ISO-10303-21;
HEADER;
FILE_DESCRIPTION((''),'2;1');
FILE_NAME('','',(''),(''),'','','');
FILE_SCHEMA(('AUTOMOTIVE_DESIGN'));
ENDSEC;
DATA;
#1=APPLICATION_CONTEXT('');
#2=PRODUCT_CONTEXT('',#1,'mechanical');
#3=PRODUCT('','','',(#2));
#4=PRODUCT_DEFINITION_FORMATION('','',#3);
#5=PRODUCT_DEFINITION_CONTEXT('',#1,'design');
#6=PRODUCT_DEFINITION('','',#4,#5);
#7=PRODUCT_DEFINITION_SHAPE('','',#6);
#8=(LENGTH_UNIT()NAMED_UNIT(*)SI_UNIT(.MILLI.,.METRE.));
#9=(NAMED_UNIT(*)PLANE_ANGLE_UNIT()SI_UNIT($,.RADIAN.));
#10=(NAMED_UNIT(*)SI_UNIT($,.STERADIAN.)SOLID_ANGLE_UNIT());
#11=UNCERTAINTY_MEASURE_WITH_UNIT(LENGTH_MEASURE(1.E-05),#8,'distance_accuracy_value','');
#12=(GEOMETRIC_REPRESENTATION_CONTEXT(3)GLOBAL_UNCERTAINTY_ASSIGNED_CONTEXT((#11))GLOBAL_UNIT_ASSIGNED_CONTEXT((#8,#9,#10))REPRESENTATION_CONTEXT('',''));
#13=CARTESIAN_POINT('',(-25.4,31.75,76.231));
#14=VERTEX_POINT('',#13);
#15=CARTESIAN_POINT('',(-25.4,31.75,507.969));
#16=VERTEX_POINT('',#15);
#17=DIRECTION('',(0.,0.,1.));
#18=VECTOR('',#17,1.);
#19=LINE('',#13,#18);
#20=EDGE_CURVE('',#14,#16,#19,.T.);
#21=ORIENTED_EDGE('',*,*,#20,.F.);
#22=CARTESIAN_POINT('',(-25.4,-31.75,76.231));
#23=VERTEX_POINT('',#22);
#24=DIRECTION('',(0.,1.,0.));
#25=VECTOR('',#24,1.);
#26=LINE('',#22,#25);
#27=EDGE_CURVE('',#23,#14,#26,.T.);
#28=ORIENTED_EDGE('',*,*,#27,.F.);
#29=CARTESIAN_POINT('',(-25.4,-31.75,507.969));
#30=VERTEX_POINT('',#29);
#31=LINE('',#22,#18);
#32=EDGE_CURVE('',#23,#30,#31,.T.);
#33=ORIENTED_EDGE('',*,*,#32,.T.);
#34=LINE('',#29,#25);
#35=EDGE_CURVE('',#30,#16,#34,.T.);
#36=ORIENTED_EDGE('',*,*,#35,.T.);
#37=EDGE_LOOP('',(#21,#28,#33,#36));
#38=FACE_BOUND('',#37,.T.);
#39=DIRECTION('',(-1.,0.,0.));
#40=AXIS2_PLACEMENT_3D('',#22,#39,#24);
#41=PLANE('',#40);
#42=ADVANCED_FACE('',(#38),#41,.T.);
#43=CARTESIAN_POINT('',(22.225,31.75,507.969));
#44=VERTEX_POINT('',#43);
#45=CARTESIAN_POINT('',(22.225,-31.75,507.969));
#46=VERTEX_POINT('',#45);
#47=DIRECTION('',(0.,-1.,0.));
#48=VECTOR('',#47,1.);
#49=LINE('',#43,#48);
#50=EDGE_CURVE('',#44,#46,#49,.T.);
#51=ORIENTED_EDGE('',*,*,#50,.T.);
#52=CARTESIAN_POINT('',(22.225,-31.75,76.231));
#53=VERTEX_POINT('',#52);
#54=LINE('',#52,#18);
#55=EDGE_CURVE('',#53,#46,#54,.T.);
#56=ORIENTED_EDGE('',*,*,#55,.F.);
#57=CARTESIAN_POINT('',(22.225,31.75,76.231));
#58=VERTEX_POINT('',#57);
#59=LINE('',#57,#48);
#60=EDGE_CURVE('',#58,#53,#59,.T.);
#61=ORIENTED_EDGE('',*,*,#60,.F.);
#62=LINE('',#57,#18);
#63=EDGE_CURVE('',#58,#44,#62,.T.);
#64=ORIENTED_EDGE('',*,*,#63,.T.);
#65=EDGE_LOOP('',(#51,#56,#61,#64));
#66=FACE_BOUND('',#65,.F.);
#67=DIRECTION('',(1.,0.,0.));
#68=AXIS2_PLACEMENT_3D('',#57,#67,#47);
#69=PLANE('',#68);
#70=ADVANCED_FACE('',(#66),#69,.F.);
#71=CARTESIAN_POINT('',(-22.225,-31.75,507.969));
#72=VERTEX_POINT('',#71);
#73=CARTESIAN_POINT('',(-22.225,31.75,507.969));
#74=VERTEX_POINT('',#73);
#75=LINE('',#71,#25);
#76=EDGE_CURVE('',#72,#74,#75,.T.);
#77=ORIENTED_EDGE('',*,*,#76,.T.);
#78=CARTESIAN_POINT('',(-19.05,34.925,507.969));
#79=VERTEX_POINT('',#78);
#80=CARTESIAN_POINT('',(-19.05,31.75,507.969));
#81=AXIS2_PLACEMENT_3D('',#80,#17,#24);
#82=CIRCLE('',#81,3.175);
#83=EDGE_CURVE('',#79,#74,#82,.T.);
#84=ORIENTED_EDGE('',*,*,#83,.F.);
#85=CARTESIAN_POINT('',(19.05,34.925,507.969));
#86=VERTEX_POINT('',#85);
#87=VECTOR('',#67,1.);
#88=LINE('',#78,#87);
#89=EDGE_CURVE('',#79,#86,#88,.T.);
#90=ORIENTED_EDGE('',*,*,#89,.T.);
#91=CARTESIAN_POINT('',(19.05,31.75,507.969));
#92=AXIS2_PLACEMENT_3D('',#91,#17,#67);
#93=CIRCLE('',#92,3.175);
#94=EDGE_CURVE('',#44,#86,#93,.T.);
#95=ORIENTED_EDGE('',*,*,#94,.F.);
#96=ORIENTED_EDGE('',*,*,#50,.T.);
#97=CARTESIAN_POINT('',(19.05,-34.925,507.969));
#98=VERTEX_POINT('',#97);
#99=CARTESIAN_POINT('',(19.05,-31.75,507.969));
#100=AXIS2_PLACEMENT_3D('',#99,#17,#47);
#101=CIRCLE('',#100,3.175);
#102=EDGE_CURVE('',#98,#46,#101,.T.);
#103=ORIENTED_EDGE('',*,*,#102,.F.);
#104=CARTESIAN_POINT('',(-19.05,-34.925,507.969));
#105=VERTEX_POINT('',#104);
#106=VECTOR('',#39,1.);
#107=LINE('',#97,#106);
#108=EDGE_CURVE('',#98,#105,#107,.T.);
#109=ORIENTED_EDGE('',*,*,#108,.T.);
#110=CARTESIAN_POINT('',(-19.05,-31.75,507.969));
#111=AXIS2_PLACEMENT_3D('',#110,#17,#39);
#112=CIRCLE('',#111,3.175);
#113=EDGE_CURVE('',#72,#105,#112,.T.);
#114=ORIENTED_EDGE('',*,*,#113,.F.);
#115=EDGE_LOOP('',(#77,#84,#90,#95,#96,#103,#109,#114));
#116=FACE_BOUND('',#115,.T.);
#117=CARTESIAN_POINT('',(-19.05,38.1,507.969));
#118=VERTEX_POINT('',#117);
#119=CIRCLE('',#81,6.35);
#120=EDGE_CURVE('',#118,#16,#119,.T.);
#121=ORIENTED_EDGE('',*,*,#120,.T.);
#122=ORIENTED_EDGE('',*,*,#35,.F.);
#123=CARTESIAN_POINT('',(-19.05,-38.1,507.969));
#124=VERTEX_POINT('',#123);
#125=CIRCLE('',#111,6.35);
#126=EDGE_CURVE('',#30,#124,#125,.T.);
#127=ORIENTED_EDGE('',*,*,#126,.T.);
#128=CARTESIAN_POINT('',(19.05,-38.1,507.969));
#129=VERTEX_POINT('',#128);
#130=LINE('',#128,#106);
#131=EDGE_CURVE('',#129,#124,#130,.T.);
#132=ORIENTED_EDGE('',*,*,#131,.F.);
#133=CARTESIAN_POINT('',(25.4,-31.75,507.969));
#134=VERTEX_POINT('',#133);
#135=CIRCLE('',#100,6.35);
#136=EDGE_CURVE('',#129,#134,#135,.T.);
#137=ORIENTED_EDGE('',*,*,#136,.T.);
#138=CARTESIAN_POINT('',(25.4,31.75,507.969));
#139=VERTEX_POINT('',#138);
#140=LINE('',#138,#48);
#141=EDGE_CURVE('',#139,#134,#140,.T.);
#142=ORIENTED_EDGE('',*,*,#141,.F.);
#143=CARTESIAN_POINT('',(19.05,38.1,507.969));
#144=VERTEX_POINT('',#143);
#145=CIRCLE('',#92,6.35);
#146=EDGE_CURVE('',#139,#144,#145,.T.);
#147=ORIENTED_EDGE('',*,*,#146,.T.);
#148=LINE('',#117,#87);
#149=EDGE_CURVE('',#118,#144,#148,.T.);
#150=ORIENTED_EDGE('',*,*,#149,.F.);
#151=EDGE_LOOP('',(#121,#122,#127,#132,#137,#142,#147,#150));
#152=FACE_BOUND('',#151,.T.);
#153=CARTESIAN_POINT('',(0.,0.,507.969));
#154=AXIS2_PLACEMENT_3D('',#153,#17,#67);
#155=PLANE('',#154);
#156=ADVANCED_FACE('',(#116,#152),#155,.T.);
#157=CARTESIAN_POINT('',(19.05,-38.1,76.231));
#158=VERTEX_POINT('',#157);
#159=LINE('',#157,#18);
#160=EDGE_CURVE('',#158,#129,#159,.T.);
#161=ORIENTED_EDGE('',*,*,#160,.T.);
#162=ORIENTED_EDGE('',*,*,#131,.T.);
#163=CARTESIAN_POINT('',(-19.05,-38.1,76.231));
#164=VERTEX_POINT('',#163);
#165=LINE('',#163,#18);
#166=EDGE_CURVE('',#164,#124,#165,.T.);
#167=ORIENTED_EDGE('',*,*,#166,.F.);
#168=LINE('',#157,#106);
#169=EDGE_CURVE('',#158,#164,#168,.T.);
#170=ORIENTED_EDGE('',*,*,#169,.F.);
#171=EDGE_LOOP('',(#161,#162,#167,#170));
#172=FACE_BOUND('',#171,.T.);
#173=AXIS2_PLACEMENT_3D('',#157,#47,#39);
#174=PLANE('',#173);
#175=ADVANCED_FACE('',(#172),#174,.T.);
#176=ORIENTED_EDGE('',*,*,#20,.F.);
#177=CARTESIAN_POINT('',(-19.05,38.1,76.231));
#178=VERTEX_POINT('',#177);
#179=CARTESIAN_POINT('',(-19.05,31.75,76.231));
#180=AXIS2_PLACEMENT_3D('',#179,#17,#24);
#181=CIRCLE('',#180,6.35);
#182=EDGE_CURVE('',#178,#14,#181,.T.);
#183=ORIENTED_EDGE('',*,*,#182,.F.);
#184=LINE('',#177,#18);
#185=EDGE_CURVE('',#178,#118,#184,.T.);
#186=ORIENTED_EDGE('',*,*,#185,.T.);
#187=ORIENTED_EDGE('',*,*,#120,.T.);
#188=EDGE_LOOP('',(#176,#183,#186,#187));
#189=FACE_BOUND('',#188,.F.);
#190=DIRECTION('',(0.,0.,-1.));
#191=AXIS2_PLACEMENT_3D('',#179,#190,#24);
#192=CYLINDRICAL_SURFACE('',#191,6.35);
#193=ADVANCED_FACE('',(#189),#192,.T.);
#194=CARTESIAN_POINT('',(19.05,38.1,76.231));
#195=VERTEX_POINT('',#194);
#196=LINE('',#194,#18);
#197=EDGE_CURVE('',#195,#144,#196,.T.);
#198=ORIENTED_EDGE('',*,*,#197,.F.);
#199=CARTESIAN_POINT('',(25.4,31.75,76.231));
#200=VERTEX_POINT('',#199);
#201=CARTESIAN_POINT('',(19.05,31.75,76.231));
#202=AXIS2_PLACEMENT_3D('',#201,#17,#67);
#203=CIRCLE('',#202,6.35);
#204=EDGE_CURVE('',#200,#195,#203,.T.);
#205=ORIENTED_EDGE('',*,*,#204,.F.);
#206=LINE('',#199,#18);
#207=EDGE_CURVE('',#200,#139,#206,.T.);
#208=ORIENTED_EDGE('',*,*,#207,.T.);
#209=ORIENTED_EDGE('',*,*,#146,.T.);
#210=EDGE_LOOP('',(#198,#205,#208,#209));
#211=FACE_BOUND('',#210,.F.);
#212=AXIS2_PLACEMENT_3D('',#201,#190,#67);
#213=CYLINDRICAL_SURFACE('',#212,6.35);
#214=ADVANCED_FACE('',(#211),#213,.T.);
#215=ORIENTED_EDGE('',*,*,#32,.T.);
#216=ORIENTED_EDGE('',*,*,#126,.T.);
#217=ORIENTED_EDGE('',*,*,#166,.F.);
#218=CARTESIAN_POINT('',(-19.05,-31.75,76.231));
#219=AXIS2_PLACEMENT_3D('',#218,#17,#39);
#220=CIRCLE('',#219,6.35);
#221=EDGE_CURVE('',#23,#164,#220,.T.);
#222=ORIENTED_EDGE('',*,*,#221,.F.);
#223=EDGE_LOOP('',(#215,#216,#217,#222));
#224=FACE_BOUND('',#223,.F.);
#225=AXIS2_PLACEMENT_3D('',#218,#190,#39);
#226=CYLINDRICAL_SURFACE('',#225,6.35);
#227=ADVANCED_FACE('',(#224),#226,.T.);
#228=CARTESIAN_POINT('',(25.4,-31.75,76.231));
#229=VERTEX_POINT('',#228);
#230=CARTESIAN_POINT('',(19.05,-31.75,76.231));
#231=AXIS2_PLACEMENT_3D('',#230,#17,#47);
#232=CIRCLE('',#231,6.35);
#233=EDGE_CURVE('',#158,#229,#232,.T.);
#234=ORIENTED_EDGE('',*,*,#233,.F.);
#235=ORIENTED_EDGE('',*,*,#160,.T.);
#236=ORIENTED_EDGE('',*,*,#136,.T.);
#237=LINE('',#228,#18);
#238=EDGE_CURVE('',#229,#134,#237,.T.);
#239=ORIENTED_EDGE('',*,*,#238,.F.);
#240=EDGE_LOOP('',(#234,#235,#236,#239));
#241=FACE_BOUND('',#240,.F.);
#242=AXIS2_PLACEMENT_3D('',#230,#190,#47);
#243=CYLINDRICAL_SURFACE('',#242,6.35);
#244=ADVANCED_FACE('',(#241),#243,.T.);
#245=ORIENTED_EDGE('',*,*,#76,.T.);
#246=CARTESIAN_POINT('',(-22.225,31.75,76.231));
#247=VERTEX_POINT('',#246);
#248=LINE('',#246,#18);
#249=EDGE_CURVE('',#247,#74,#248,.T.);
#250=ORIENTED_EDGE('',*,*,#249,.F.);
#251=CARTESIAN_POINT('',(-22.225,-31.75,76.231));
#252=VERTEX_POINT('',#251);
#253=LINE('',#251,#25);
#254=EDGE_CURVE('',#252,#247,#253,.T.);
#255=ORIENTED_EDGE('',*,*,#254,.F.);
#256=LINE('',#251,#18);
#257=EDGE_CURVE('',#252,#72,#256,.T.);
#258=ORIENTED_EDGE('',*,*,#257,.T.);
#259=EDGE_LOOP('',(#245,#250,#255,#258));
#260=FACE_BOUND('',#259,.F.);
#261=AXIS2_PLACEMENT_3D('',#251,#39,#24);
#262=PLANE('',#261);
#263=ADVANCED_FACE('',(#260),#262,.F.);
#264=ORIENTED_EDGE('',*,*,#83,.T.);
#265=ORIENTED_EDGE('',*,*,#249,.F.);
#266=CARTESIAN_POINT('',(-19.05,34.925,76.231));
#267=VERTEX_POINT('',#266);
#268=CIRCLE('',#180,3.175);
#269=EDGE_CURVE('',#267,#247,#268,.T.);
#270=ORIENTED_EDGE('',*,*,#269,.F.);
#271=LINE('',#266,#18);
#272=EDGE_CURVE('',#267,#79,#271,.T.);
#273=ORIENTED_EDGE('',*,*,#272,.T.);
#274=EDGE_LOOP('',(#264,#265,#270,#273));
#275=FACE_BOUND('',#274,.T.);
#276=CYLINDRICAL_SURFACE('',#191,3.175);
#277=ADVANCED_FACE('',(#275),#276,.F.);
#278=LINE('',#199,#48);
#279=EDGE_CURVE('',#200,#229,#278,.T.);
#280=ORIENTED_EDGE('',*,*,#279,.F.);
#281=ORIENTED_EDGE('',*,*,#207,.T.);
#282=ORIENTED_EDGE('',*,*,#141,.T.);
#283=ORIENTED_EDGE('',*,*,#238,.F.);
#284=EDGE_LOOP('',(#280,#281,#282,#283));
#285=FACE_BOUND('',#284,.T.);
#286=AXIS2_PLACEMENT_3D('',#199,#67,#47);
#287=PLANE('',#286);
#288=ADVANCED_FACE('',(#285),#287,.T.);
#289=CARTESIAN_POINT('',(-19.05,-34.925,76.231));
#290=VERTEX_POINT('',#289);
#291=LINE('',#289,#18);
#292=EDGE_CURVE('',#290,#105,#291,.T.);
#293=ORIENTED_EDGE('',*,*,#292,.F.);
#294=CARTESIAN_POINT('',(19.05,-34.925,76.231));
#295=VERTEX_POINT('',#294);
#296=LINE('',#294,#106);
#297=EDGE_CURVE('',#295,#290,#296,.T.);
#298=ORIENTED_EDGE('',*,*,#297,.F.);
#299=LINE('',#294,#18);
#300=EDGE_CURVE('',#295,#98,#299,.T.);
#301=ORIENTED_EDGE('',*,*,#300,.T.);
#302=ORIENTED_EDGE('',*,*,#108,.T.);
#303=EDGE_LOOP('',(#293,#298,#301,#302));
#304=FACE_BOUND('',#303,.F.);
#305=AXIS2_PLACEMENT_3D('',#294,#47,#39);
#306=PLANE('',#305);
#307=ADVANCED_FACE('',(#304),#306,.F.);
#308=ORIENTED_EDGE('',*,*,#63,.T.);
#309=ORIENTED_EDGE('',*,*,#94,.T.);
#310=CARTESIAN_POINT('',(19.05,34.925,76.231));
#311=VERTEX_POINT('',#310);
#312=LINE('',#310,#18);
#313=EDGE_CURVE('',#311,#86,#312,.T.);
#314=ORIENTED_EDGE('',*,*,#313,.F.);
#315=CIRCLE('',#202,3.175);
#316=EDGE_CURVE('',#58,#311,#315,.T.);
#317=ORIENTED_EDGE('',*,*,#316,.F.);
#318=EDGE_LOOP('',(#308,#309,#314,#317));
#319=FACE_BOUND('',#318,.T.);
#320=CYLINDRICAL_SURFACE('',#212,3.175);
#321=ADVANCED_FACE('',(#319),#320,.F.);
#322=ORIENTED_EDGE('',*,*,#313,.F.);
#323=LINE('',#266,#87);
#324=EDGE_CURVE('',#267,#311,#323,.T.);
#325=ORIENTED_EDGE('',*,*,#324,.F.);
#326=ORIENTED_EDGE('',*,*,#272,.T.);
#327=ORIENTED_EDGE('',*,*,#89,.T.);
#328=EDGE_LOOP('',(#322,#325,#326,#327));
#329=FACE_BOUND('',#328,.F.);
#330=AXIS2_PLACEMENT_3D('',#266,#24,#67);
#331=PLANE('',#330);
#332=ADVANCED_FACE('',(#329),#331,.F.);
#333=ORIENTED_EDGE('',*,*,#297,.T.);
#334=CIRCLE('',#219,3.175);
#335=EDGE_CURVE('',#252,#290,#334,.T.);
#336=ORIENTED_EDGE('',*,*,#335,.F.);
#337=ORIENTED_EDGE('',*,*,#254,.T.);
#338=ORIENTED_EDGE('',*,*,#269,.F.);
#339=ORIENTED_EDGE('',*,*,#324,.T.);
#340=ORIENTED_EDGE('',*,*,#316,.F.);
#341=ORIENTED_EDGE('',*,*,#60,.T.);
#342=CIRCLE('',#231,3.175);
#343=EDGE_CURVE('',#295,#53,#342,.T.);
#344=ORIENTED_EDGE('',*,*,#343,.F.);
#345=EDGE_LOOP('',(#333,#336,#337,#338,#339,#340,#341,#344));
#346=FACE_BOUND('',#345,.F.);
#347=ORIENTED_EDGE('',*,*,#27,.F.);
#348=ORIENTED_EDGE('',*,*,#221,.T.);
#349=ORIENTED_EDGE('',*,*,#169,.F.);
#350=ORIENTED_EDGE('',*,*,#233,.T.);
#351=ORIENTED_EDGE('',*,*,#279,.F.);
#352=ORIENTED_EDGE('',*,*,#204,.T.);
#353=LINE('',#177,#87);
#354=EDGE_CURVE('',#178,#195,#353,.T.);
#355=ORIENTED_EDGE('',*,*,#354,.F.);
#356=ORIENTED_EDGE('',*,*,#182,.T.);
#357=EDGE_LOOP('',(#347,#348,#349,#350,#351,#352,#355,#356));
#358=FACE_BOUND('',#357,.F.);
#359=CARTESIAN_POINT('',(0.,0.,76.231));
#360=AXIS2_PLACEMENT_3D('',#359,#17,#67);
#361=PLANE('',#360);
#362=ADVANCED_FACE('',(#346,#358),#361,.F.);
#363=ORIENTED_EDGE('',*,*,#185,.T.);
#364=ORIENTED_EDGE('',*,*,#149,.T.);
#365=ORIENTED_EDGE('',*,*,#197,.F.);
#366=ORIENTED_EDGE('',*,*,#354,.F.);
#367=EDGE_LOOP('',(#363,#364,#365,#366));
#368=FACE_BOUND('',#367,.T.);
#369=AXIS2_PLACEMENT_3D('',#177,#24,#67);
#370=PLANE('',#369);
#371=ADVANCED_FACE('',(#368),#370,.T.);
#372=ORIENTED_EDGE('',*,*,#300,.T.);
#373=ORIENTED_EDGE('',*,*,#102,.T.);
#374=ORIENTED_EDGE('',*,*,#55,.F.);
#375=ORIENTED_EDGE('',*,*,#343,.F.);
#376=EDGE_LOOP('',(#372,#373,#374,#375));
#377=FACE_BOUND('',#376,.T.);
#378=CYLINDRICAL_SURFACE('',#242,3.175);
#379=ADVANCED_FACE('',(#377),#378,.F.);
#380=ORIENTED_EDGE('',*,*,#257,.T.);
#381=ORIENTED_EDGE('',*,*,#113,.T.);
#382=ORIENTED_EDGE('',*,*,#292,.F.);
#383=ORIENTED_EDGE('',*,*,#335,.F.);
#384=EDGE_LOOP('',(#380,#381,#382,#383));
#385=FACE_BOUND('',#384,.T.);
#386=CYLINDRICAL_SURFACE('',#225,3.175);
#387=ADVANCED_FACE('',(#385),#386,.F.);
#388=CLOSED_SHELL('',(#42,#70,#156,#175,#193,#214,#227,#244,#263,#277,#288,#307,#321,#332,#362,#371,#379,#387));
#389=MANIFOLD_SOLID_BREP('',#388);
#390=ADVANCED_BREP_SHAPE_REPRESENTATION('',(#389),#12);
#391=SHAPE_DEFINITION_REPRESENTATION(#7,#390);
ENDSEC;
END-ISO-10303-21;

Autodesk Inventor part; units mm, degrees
ref_plane "Start Plane" through (0, 0, 76.231) normal (0, 0, 1) x (1, 0, 0)
ref_plane "End Plane" through (0, 0, 507.969) normal (0, 0, 1) x (1, 0, 0)
sketch "Sketch" plane through (0, 0, 0) normal (0, 0, 1) x (1, 0, 0)
  line L0 (-25.4, -31.75) -> (-25.4, 31.75)
  line L1 (-19.05, 38.1) -> (19.05, 38.1)
  line L2 (25.4, 31.75) -> (25.4, -31.75)
  line L3 (19.05, -38.1) -> (-19.05, -38.1)
  arc A0 (-25.4, -31.75) -> (-19.05, -38.1) centre (-19.05, -31.75) ccw
  arc A1 (-19.05, 38.1) -> (-25.4, 31.75) centre (-19.05, 31.75) ccw
  arc A2 (25.4, 31.75) -> (19.05, 38.1) centre (19.05, 31.75) ccw
  arc A3 (19.05, -38.1) -> (25.4, -31.75) centre (19.05, -31.75) ccw
  arc A4 (-19.05, 34.925) -> (-22.225, 31.75) centre (-19.05, 31.75) ccw
  line L4 (-19.05, 34.925) -> (19.05, 34.925)
  arc A5 (22.225, 31.75) -> (19.05, 34.925) centre (19.05, 31.75) ccw
  line L5 (22.225, 31.75) -> (22.225, -31.75)
  arc A6 (19.05, -34.925) -> (22.225, -31.75) centre (19.05, -31.75) ccw
  line L6 (19.05, -34.925) -> (-19.05, -34.925)
  arc A7 (-22.225, -31.75) -> (-19.05, -34.925) centre (-19.05, -31.75) ccw
  line L7 (-22.225, -31.75) -> (-22.225, 31.75)
  line L8 (0, 55.1812) -> (0, -55.1812) construction
  line L9 (-37.4012, 0) -> (37.4012, 0) construction
  dimension "d10" = 76.2
  dimension "d11" = 50.8
  dimension "d12" = 3.175
  dimension "d15" = 38.1
  dimension "d16" = 25.4
  dimension "d17" = 6.35
extrude "Body" add sketch "Sketch" along normal up to surface (431.738 mm away) from surface at 76.231
sketch "Sketch3" plane through (0, 0, 0) normal (0, 0, 1) x (1, 0, 0)
  line L0 (0, 0) -> (10, 0)
ref_plane "Work Plane3" through (0, 0, 0) normal (0, -1, 0) x (1, 0, 0)
ref_plane "Work Plane4" through (19.05, 660.4, 507.969) normal (0, 0, 1) x (1, 0, 0)
split "Split1" plane through (19.05, 660.4, 507.969) removes the side toward (0, 0, 1)
ref_plane "Work Plane5" through (19.05, -660.4, 76.231) normal (0, 0, -1) x (-1, 0, 0)
split "Split2" plane through (19.05, -660.4, 76.231) removes the side toward (0, 0, -1)
sketch "Sketch4" plane through (0, 0, 0) normal (0, -1, 0) x (1, 0, 0)
  line L0 (-2, 76.231) -> (12, 76.231) projected
  line L1 (-2, 507.969) -> (12, 507.969) projected
  dimension "d19" = 431.738
equation "\"d10\" = G_H"
equation "\"d11\" = G_W"
equation "\"d12\" = G_T"
equation "\"d15\" = 0.5 * d10"
equation "\"d16\" = 0.5 * d11"
equation "\"d17\" = G_IR"
equation "\"d3\" = G_L"
equation "\"G_W\" = 50.8"
equation "\"G_H\" = 76.2"
equation "\"G_T\" = 3.175"
equation "\"G_IR\" = 6.35"
equation "\"G_L\" = d19"
equation "\"G_OFFSET_START\" = -76.231"
equation "\"G_OFFSET_END\" = -76.231"
equation "\"d13\" = -G_OFFSET_START"
equation "\"d14\" = G_OFFSET_END + B_L"
equation "\"B_L\" = 584.2"
properties part number "AISC - 3 x 2 x 1/8 - 16.998" material "Steel, Mild"
